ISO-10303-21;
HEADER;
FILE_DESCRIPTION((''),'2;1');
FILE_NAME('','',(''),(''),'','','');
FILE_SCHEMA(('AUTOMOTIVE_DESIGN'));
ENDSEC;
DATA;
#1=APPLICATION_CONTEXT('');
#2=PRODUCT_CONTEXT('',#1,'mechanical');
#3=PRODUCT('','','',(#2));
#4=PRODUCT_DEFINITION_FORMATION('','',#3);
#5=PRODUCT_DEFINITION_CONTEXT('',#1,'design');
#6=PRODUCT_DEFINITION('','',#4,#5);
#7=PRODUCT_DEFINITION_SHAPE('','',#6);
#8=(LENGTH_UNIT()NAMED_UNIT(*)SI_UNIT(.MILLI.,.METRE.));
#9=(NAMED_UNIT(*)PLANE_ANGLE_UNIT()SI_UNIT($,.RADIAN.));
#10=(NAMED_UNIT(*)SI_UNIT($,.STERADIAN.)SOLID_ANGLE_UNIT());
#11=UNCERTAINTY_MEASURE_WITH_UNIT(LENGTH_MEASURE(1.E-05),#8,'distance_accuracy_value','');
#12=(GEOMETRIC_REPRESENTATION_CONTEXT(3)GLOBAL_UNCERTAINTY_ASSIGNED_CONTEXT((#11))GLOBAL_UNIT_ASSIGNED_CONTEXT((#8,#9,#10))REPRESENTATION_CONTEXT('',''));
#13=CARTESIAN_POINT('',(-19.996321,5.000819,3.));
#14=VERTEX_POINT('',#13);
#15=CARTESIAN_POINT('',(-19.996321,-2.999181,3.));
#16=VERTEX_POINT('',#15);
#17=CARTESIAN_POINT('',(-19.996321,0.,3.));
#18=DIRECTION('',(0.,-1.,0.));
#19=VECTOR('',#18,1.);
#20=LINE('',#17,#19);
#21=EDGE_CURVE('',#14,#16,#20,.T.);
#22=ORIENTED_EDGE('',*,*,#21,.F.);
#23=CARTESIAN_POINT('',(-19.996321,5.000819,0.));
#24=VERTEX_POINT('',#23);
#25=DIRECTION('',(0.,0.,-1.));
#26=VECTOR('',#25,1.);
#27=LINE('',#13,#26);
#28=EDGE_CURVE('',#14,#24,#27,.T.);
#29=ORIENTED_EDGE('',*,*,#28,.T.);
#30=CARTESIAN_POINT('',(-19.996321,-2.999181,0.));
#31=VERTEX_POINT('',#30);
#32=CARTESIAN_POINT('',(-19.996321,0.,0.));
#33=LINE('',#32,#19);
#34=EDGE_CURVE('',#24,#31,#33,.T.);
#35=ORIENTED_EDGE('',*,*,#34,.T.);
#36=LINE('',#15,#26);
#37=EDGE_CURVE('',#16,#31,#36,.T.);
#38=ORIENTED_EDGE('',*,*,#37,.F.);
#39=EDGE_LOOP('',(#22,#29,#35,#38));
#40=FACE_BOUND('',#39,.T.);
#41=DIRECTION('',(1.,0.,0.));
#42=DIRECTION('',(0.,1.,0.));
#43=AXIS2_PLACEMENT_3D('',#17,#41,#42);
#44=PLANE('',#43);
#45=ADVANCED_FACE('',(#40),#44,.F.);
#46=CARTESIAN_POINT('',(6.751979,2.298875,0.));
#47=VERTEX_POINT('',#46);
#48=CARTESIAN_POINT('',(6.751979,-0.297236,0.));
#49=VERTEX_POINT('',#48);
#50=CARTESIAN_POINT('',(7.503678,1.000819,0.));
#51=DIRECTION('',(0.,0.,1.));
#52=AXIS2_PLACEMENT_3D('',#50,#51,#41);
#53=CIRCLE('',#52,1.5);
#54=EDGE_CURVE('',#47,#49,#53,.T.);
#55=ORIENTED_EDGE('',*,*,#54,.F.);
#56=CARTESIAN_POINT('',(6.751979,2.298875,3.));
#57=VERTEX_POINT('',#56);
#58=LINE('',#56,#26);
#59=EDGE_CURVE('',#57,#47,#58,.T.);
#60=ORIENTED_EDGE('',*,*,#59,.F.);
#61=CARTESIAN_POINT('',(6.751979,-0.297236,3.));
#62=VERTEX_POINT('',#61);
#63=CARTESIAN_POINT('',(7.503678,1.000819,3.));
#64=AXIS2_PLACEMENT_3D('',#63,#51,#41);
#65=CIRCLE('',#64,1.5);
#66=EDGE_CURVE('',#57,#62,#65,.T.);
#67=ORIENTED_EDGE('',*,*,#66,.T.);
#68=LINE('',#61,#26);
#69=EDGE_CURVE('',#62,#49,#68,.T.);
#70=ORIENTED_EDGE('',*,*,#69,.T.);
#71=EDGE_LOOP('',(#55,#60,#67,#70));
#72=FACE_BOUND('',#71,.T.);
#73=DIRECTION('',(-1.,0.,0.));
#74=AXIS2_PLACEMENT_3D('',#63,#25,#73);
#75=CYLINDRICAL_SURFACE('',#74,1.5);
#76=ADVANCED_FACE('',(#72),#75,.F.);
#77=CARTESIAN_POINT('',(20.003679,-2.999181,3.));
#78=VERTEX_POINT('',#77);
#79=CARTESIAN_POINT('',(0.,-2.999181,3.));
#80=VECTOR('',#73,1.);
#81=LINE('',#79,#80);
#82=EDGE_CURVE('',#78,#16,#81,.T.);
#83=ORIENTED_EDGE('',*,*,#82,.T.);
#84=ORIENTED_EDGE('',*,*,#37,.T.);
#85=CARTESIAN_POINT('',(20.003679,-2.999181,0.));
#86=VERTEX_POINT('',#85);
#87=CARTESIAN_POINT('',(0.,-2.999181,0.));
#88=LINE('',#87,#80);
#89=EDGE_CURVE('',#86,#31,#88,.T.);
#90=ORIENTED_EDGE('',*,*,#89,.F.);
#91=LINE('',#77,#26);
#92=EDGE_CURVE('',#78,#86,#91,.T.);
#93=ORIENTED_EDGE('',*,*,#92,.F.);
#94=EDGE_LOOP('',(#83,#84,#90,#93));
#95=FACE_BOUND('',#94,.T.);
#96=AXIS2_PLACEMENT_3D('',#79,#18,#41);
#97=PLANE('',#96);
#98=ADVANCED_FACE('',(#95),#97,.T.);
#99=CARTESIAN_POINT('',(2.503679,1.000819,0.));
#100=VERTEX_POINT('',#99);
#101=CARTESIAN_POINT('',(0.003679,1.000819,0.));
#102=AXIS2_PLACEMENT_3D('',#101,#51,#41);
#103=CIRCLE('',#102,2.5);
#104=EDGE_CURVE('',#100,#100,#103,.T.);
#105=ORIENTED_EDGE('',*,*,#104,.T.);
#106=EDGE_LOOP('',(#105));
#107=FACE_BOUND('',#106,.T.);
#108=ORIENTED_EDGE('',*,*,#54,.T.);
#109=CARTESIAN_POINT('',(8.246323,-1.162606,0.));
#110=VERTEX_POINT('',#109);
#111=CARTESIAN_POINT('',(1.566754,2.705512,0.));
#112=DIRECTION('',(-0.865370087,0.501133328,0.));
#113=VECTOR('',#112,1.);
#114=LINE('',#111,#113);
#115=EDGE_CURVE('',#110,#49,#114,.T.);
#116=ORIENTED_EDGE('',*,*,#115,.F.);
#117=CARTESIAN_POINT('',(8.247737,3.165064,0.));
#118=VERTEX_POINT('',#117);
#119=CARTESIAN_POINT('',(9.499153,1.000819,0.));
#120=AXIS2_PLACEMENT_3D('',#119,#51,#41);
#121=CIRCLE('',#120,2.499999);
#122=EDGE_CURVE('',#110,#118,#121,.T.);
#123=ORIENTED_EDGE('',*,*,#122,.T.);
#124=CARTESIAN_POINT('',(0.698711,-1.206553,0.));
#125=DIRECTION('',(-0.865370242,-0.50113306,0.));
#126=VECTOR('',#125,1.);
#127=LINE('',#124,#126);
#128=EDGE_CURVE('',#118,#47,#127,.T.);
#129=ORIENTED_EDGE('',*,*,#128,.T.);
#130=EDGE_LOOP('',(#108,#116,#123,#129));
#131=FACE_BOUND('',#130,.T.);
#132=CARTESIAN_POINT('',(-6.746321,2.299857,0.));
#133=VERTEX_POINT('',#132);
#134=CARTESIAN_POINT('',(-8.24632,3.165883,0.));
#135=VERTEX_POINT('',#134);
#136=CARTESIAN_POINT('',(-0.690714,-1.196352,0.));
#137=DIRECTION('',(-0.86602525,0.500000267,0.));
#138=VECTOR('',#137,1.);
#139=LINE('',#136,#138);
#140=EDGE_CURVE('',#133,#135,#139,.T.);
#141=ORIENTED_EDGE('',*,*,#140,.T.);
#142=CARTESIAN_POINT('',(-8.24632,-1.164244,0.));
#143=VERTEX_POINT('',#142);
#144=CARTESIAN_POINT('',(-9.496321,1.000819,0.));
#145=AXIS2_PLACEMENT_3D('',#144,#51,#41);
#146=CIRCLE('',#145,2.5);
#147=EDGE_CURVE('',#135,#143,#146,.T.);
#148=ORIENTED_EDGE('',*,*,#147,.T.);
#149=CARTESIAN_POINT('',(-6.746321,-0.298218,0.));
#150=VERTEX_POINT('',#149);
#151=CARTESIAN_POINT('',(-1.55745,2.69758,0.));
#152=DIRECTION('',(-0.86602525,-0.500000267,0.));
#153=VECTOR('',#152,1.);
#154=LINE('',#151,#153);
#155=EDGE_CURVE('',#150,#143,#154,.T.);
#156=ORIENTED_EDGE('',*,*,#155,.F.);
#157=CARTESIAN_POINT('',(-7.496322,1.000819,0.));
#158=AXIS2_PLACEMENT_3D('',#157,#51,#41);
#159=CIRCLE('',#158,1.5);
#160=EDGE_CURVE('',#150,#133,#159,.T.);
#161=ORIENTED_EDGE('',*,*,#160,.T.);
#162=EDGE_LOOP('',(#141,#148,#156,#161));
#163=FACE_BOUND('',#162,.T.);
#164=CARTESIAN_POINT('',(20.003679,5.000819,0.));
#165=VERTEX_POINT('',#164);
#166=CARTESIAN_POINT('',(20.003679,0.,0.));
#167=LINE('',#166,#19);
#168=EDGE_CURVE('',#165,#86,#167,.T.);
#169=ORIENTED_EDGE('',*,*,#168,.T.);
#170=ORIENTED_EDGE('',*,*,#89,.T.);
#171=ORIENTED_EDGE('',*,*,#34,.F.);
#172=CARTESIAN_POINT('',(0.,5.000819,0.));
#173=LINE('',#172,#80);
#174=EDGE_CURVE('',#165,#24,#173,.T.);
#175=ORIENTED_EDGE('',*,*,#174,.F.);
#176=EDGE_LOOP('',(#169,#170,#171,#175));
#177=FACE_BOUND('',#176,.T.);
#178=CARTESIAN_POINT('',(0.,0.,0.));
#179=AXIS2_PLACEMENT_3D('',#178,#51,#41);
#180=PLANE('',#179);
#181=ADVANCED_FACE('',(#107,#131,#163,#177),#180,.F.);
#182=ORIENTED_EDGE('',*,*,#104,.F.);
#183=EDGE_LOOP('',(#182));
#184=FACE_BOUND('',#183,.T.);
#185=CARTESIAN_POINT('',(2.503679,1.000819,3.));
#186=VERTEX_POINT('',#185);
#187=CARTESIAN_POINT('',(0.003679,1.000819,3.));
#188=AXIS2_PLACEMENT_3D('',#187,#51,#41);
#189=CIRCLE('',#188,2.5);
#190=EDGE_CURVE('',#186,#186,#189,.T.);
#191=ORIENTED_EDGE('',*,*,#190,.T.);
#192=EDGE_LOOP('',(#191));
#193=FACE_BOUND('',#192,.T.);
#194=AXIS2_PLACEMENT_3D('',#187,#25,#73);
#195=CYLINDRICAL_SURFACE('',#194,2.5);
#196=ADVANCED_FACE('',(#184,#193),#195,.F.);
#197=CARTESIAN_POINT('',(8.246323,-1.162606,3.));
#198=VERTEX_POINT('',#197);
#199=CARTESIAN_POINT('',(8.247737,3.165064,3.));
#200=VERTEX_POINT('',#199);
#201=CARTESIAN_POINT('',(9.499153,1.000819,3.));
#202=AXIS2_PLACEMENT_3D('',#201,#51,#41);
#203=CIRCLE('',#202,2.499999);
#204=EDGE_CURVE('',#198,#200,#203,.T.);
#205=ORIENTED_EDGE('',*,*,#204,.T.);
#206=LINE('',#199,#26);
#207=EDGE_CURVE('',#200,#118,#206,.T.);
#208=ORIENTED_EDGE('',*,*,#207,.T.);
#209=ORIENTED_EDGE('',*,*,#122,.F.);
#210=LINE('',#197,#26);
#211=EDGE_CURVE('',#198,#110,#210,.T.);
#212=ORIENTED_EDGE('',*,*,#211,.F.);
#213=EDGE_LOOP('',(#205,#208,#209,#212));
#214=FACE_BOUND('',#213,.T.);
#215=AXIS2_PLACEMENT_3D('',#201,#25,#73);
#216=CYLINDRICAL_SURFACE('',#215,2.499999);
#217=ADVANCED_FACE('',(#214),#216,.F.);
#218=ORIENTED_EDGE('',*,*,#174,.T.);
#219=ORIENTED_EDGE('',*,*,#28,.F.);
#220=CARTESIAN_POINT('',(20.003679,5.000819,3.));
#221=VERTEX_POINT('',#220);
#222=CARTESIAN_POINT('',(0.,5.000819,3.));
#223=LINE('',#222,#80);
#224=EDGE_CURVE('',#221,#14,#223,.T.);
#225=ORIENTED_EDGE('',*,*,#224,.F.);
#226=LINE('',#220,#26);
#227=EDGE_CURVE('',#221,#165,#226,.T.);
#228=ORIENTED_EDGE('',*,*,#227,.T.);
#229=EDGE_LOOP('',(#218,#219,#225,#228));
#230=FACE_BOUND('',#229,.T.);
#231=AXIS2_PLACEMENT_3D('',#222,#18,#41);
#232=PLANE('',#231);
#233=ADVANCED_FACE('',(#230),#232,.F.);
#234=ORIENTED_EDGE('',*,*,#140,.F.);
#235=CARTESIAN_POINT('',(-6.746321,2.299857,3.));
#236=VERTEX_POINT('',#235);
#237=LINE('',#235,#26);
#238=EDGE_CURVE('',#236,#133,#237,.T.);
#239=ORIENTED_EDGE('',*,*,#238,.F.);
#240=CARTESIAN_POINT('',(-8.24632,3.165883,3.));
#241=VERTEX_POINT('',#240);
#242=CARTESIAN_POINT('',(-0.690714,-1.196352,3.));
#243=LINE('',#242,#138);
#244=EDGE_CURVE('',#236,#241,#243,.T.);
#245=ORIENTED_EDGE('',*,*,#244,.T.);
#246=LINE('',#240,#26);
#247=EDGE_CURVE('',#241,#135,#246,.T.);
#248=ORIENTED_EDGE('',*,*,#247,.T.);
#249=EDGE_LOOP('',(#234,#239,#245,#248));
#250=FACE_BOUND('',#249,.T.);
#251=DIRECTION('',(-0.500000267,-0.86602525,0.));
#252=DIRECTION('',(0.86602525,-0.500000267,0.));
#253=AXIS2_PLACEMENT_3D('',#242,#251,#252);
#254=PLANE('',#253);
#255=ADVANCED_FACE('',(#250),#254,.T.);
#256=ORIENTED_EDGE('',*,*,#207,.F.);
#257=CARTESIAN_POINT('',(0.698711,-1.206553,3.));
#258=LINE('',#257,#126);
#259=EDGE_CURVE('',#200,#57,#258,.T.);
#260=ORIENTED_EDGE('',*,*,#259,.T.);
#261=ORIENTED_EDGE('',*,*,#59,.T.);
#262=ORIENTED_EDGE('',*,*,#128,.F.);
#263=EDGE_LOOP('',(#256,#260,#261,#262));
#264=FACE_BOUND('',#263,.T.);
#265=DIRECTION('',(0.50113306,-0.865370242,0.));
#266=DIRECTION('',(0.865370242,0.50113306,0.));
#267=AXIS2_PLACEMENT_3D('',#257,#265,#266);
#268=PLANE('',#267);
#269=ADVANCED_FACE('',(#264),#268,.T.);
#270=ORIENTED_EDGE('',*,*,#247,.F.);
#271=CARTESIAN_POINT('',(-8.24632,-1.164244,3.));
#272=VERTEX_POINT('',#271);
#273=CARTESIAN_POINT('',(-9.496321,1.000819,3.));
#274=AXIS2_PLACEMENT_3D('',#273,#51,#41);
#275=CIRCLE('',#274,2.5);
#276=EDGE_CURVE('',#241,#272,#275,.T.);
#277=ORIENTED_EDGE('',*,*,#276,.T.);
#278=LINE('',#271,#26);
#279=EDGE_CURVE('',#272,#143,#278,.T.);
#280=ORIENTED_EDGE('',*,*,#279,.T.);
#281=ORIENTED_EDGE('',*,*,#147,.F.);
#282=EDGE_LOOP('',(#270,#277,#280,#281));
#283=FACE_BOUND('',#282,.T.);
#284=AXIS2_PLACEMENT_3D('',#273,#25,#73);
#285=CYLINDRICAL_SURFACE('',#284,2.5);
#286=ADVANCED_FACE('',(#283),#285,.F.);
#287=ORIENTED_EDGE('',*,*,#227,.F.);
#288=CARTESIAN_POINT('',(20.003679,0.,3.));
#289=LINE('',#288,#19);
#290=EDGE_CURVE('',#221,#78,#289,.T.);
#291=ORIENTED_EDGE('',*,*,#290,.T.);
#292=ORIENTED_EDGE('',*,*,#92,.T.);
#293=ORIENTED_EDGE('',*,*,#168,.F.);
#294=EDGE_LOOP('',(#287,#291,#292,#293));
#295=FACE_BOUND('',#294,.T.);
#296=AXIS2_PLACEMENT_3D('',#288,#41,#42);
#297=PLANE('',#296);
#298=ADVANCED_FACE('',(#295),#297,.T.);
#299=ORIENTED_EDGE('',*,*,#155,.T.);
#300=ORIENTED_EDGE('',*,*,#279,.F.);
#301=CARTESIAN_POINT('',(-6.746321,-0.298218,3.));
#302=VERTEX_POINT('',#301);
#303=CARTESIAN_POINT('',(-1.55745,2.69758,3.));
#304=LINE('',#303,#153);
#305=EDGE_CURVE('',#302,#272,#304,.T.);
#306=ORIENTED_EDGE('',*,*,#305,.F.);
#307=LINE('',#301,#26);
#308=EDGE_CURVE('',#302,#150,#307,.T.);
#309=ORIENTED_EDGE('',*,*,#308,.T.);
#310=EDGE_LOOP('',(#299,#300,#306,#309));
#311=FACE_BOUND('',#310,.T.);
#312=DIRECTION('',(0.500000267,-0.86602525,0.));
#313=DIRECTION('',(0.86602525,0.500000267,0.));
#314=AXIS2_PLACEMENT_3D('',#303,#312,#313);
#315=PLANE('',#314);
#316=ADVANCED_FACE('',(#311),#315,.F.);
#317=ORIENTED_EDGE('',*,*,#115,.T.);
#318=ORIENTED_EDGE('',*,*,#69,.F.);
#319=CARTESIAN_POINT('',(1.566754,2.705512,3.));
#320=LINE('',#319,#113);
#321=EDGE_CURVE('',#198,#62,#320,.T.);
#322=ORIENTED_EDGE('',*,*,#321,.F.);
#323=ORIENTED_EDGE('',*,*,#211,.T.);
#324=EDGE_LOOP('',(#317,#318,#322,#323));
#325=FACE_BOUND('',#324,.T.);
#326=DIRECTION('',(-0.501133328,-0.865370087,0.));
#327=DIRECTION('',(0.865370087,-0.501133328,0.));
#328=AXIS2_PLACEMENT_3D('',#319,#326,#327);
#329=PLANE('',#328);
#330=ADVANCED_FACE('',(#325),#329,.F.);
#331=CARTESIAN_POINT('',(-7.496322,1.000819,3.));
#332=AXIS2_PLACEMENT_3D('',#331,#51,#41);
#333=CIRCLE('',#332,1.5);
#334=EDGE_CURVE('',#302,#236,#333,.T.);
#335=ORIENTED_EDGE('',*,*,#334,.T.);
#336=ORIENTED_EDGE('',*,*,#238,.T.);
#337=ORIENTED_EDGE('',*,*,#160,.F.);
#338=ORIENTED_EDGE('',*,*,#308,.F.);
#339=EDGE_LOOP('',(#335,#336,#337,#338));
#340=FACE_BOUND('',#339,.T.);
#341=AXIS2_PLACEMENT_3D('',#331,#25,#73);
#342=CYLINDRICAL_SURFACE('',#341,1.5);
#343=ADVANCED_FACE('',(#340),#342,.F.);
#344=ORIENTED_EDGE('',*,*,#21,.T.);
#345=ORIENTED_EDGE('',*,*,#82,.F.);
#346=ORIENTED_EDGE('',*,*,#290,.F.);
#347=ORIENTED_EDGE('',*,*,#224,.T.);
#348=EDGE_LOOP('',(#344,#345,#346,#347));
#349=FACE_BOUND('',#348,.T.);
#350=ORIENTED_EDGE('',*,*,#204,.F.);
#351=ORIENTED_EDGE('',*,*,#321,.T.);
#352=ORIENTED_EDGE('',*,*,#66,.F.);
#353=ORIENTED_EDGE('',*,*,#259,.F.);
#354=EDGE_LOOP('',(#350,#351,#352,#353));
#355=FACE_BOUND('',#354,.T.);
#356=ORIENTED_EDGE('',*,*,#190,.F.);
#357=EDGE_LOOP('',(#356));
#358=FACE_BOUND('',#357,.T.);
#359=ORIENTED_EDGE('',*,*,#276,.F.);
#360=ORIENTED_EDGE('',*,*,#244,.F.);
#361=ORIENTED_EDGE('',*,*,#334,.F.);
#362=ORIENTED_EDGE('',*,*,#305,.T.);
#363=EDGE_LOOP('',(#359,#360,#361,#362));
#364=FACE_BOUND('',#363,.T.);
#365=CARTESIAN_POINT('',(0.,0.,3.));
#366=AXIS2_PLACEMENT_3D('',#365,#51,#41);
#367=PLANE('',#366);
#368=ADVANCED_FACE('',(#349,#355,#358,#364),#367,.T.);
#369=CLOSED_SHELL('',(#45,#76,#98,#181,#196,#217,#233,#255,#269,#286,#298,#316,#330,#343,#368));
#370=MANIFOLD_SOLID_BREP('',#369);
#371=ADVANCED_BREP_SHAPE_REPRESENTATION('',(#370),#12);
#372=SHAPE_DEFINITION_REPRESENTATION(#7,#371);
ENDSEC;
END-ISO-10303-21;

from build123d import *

# Parameters (mm, degrees)
SKETCH1_W           = 40
SKETCH1_H           = 8
SKETCH1_R           = 2.5
BOSS_EXTRUDE1_DEPTH = 3


with BuildPart() as part:
    # Sketch1 → Boss-Extrude1 (new body)
    with BuildSketch(Plane.XY):
        with Locations((0.003679189, 1.000819415)):
            Rectangle(SKETCH1_W, SKETCH1_H)
        with BuildLine():
            Line((-8.246320143, 3.165882539), (-6.746321478, 2.29985729))
            ThreePointArc((-6.746321478, 2.29985729), (-5.996321879, 1.000819415), (-6.746321478, -0.298218459))
            Line((-6.746321478, -0.298218459), (-8.246320143, -1.164243709))
            ThreePointArc((-8.246320143, -1.164243709), (-10.636363972, -1.224107908), (-11.983789404, 0.750819415))
            ThreePointArc((-11.983789404, 0.750819415), (-11.996320811, 1.000819415), (-11.983789404, 1.250819415))
            ThreePointArc((-11.983789404, 1.250819415), (-10.636363972, 3.225746738), (-8.246320143, 3.165882539))
        make_face(mode=Mode.SUBTRACT)
        with Locations((0.003679189, 1.000819415)):
            Circle(SKETCH1_R, mode=Mode.SUBTRACT)
        with BuildLine():
            Line((8.244905291, 3.163423753), (8.247736867, 3.165063509))
            ThreePointArc((8.247736867, 3.165063509), (10.638467861, 3.226118523), (11.986620451, 1.250819308))
            ThreePointArc((11.986620451, 1.250819308), (11.999151848, 1.000819415), (11.986620451, 0.750819522))
            ThreePointArc((11.986620451, 0.750819522), (10.637740693, -1.224851841), (8.246322819, -1.162606427))
            Line((8.246322819, -1.162606427), (6.751978531, -0.297235948))
            ThreePointArc((6.751978531, -0.297235948), (6.003678121, 1.000819415), (6.751978531, 2.298874779))
            Line((6.751978531, 2.298874779), (8.244905291, 3.163423753))
        make_face(mode=Mode.SUBTRACT)
    extrude(amount=BOSS_EXTRUDE1_DEPTH)


solid = part.part
